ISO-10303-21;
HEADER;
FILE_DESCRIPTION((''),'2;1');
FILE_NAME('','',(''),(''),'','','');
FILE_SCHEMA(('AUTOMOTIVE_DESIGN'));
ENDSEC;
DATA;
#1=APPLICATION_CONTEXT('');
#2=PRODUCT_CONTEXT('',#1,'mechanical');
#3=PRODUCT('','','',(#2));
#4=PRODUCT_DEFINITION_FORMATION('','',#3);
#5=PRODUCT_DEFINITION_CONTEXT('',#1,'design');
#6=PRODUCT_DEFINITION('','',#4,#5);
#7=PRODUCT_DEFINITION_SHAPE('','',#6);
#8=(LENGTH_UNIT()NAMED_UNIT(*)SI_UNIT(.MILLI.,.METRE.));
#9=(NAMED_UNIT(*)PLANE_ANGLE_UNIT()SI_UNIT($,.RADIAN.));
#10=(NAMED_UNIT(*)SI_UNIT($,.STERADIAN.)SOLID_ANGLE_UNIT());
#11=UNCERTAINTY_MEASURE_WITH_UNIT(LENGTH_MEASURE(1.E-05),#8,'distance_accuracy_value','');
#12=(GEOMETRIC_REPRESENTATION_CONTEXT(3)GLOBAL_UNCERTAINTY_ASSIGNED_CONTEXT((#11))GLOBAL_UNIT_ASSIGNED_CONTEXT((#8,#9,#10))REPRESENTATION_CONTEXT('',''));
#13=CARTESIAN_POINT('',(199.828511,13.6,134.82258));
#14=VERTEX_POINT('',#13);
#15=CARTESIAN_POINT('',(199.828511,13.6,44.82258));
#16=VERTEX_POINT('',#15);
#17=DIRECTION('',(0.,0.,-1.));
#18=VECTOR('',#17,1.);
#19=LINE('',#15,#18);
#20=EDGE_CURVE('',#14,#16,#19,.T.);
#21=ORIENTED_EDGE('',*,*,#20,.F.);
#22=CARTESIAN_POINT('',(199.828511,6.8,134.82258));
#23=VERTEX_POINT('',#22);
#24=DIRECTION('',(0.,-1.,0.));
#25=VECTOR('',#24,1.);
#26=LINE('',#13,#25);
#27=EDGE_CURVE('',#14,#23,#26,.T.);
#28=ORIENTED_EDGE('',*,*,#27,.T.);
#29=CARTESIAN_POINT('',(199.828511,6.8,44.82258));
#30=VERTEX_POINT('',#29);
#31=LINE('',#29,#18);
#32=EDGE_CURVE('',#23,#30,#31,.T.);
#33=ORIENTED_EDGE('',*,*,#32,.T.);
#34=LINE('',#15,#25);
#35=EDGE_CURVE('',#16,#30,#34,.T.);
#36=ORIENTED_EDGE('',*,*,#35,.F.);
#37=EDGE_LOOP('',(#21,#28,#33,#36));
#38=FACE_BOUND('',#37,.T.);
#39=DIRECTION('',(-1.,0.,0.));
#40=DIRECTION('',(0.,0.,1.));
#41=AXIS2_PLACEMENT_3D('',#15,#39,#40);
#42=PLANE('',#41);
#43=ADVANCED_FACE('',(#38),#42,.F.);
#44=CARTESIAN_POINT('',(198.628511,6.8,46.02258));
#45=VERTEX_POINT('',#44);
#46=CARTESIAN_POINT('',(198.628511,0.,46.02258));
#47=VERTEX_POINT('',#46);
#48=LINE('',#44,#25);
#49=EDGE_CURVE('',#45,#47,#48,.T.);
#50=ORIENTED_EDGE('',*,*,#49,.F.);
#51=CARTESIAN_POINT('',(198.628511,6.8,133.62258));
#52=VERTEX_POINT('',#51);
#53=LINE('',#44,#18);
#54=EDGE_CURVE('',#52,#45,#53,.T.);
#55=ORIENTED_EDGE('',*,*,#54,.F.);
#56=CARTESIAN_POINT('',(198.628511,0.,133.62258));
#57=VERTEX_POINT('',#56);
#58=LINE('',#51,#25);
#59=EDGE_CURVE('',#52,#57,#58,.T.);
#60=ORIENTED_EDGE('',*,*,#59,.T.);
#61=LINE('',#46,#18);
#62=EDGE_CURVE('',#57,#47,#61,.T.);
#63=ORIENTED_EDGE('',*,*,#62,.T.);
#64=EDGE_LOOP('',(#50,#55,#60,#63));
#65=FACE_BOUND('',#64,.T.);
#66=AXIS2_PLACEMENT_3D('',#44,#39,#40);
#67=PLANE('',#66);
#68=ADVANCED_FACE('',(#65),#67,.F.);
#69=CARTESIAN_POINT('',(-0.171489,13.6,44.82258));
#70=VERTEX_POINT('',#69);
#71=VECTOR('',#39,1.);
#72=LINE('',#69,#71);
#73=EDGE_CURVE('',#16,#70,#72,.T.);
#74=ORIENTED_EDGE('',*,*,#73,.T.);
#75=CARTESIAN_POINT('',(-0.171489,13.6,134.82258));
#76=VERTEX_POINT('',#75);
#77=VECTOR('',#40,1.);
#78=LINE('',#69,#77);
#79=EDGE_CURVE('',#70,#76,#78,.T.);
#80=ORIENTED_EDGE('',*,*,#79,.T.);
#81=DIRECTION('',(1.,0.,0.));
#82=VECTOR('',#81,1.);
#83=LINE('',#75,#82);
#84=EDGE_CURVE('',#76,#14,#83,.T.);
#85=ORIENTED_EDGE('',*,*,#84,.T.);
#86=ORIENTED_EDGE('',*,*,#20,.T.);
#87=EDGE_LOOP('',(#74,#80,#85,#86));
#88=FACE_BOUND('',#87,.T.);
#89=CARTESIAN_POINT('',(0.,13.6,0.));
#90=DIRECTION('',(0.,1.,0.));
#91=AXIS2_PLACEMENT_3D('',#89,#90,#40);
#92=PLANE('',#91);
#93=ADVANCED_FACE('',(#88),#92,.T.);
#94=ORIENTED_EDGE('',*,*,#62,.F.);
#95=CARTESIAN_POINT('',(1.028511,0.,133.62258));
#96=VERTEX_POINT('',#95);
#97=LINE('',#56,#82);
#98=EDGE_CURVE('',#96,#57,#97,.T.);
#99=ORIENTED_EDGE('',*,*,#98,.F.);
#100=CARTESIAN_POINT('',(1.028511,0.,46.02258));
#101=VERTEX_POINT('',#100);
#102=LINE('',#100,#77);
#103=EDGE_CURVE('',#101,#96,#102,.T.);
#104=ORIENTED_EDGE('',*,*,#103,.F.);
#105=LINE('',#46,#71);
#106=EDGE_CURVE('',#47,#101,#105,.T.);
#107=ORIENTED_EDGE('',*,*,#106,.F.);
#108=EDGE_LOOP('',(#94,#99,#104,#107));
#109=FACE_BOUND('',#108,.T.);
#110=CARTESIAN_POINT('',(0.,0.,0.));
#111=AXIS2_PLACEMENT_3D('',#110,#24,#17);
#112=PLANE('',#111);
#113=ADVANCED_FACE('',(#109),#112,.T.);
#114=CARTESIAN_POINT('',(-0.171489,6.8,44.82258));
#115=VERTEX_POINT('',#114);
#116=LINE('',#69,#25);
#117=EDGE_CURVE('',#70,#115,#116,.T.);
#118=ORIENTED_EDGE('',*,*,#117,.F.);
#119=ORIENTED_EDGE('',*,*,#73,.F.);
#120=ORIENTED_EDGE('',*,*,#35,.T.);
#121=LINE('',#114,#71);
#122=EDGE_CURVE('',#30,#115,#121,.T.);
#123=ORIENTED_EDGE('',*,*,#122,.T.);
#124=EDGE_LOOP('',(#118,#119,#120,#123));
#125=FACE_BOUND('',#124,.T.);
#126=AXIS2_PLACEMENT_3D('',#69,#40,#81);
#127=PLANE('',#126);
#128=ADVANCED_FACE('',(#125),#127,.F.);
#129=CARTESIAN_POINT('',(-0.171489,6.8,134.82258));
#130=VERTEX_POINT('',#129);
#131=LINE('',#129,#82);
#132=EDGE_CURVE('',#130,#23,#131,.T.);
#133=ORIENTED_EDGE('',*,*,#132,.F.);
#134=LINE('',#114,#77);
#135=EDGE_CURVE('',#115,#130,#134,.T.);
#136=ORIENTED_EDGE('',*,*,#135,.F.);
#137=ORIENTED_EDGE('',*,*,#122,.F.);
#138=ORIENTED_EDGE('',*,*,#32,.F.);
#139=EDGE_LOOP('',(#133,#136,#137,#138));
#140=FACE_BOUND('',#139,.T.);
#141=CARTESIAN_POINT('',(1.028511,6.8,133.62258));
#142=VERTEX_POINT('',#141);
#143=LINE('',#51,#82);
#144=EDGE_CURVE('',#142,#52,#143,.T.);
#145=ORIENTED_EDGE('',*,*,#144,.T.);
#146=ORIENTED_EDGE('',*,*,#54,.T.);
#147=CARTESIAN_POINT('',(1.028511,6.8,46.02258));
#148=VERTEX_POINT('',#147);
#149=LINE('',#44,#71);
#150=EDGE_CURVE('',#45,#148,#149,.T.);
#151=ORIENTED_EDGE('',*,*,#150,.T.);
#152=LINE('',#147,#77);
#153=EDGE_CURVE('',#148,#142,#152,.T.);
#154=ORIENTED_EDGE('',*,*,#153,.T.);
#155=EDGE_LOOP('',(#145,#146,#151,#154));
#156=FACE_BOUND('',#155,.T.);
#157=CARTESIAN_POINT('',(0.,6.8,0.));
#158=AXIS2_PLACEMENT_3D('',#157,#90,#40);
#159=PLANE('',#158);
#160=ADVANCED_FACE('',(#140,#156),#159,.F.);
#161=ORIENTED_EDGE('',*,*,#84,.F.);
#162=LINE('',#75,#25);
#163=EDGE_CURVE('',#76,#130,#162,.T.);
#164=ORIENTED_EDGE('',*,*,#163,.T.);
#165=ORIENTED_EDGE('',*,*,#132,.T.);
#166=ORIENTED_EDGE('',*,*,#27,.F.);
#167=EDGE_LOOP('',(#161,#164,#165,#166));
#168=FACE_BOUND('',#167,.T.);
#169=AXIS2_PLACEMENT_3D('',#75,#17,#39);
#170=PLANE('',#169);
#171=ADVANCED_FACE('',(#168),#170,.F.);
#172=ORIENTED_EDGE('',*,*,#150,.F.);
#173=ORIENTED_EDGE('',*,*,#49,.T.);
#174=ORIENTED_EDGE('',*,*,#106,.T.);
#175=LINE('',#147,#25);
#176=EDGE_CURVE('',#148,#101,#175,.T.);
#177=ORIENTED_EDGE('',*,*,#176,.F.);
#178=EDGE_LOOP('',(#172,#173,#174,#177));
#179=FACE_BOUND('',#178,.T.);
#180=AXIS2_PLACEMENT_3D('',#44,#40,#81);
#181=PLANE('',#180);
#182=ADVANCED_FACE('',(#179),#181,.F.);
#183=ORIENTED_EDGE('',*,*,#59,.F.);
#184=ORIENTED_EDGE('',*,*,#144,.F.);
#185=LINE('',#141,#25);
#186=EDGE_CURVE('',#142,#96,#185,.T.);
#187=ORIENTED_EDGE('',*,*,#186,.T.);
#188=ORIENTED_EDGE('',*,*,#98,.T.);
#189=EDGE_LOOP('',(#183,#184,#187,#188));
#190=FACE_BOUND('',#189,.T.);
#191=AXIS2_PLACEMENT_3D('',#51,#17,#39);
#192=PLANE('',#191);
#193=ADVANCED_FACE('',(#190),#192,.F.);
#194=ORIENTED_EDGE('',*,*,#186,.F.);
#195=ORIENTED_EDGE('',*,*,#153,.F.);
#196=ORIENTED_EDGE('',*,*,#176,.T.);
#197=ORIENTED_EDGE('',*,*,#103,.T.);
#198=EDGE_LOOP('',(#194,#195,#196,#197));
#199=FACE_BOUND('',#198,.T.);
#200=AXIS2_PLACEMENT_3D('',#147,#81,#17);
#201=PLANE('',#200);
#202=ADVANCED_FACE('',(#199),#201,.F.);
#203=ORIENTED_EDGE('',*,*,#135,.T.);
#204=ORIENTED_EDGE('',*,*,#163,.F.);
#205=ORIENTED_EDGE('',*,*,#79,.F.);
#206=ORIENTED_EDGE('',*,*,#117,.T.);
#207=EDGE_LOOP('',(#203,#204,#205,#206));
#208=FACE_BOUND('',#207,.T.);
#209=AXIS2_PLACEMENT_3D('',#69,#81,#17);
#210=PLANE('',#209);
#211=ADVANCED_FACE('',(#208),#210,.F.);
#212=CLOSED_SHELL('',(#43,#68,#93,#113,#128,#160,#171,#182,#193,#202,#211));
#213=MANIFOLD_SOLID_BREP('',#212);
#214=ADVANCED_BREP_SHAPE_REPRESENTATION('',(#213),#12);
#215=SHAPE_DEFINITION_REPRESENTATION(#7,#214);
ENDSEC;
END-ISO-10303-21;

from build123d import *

# Parameters (mm, degrees)
SKETCH3_W           = 197.6
SKETCH3_H           = 87.6
BOSS_EXTRUDE2_DEPTH = 6.8
SKETCH4_W           = 200
SKETCH4_H           = 90
BOSS_EXTRUDE3_DEPTH = 6.8


with BuildPart() as part:
    # Sketch3 → Boss-Extrude2 (new body)
    with BuildSketch(Plane(origin=(0, 0, 0), x_dir=(1, 0, 0), z_dir=(0, 1, 0))):
        with Locations((99.828511242, -89.822579534)):
            Rectangle(SKETCH3_W, SKETCH3_H)
    extrude(amount=BOSS_EXTRUDE2_DEPTH)

    # Sketch4 → Boss-Extrude3 (add)
    with BuildSketch(Plane(origin=(0, 6.8, 0), x_dir=(1, 0, 0), z_dir=(0, 1, 0))):
        with Locations((99.828511242, -89.822579534)):
            Rectangle(SKETCH4_W, SKETCH4_H)
    extrude(amount=BOSS_EXTRUDE3_DEPTH)


solid = part.part
